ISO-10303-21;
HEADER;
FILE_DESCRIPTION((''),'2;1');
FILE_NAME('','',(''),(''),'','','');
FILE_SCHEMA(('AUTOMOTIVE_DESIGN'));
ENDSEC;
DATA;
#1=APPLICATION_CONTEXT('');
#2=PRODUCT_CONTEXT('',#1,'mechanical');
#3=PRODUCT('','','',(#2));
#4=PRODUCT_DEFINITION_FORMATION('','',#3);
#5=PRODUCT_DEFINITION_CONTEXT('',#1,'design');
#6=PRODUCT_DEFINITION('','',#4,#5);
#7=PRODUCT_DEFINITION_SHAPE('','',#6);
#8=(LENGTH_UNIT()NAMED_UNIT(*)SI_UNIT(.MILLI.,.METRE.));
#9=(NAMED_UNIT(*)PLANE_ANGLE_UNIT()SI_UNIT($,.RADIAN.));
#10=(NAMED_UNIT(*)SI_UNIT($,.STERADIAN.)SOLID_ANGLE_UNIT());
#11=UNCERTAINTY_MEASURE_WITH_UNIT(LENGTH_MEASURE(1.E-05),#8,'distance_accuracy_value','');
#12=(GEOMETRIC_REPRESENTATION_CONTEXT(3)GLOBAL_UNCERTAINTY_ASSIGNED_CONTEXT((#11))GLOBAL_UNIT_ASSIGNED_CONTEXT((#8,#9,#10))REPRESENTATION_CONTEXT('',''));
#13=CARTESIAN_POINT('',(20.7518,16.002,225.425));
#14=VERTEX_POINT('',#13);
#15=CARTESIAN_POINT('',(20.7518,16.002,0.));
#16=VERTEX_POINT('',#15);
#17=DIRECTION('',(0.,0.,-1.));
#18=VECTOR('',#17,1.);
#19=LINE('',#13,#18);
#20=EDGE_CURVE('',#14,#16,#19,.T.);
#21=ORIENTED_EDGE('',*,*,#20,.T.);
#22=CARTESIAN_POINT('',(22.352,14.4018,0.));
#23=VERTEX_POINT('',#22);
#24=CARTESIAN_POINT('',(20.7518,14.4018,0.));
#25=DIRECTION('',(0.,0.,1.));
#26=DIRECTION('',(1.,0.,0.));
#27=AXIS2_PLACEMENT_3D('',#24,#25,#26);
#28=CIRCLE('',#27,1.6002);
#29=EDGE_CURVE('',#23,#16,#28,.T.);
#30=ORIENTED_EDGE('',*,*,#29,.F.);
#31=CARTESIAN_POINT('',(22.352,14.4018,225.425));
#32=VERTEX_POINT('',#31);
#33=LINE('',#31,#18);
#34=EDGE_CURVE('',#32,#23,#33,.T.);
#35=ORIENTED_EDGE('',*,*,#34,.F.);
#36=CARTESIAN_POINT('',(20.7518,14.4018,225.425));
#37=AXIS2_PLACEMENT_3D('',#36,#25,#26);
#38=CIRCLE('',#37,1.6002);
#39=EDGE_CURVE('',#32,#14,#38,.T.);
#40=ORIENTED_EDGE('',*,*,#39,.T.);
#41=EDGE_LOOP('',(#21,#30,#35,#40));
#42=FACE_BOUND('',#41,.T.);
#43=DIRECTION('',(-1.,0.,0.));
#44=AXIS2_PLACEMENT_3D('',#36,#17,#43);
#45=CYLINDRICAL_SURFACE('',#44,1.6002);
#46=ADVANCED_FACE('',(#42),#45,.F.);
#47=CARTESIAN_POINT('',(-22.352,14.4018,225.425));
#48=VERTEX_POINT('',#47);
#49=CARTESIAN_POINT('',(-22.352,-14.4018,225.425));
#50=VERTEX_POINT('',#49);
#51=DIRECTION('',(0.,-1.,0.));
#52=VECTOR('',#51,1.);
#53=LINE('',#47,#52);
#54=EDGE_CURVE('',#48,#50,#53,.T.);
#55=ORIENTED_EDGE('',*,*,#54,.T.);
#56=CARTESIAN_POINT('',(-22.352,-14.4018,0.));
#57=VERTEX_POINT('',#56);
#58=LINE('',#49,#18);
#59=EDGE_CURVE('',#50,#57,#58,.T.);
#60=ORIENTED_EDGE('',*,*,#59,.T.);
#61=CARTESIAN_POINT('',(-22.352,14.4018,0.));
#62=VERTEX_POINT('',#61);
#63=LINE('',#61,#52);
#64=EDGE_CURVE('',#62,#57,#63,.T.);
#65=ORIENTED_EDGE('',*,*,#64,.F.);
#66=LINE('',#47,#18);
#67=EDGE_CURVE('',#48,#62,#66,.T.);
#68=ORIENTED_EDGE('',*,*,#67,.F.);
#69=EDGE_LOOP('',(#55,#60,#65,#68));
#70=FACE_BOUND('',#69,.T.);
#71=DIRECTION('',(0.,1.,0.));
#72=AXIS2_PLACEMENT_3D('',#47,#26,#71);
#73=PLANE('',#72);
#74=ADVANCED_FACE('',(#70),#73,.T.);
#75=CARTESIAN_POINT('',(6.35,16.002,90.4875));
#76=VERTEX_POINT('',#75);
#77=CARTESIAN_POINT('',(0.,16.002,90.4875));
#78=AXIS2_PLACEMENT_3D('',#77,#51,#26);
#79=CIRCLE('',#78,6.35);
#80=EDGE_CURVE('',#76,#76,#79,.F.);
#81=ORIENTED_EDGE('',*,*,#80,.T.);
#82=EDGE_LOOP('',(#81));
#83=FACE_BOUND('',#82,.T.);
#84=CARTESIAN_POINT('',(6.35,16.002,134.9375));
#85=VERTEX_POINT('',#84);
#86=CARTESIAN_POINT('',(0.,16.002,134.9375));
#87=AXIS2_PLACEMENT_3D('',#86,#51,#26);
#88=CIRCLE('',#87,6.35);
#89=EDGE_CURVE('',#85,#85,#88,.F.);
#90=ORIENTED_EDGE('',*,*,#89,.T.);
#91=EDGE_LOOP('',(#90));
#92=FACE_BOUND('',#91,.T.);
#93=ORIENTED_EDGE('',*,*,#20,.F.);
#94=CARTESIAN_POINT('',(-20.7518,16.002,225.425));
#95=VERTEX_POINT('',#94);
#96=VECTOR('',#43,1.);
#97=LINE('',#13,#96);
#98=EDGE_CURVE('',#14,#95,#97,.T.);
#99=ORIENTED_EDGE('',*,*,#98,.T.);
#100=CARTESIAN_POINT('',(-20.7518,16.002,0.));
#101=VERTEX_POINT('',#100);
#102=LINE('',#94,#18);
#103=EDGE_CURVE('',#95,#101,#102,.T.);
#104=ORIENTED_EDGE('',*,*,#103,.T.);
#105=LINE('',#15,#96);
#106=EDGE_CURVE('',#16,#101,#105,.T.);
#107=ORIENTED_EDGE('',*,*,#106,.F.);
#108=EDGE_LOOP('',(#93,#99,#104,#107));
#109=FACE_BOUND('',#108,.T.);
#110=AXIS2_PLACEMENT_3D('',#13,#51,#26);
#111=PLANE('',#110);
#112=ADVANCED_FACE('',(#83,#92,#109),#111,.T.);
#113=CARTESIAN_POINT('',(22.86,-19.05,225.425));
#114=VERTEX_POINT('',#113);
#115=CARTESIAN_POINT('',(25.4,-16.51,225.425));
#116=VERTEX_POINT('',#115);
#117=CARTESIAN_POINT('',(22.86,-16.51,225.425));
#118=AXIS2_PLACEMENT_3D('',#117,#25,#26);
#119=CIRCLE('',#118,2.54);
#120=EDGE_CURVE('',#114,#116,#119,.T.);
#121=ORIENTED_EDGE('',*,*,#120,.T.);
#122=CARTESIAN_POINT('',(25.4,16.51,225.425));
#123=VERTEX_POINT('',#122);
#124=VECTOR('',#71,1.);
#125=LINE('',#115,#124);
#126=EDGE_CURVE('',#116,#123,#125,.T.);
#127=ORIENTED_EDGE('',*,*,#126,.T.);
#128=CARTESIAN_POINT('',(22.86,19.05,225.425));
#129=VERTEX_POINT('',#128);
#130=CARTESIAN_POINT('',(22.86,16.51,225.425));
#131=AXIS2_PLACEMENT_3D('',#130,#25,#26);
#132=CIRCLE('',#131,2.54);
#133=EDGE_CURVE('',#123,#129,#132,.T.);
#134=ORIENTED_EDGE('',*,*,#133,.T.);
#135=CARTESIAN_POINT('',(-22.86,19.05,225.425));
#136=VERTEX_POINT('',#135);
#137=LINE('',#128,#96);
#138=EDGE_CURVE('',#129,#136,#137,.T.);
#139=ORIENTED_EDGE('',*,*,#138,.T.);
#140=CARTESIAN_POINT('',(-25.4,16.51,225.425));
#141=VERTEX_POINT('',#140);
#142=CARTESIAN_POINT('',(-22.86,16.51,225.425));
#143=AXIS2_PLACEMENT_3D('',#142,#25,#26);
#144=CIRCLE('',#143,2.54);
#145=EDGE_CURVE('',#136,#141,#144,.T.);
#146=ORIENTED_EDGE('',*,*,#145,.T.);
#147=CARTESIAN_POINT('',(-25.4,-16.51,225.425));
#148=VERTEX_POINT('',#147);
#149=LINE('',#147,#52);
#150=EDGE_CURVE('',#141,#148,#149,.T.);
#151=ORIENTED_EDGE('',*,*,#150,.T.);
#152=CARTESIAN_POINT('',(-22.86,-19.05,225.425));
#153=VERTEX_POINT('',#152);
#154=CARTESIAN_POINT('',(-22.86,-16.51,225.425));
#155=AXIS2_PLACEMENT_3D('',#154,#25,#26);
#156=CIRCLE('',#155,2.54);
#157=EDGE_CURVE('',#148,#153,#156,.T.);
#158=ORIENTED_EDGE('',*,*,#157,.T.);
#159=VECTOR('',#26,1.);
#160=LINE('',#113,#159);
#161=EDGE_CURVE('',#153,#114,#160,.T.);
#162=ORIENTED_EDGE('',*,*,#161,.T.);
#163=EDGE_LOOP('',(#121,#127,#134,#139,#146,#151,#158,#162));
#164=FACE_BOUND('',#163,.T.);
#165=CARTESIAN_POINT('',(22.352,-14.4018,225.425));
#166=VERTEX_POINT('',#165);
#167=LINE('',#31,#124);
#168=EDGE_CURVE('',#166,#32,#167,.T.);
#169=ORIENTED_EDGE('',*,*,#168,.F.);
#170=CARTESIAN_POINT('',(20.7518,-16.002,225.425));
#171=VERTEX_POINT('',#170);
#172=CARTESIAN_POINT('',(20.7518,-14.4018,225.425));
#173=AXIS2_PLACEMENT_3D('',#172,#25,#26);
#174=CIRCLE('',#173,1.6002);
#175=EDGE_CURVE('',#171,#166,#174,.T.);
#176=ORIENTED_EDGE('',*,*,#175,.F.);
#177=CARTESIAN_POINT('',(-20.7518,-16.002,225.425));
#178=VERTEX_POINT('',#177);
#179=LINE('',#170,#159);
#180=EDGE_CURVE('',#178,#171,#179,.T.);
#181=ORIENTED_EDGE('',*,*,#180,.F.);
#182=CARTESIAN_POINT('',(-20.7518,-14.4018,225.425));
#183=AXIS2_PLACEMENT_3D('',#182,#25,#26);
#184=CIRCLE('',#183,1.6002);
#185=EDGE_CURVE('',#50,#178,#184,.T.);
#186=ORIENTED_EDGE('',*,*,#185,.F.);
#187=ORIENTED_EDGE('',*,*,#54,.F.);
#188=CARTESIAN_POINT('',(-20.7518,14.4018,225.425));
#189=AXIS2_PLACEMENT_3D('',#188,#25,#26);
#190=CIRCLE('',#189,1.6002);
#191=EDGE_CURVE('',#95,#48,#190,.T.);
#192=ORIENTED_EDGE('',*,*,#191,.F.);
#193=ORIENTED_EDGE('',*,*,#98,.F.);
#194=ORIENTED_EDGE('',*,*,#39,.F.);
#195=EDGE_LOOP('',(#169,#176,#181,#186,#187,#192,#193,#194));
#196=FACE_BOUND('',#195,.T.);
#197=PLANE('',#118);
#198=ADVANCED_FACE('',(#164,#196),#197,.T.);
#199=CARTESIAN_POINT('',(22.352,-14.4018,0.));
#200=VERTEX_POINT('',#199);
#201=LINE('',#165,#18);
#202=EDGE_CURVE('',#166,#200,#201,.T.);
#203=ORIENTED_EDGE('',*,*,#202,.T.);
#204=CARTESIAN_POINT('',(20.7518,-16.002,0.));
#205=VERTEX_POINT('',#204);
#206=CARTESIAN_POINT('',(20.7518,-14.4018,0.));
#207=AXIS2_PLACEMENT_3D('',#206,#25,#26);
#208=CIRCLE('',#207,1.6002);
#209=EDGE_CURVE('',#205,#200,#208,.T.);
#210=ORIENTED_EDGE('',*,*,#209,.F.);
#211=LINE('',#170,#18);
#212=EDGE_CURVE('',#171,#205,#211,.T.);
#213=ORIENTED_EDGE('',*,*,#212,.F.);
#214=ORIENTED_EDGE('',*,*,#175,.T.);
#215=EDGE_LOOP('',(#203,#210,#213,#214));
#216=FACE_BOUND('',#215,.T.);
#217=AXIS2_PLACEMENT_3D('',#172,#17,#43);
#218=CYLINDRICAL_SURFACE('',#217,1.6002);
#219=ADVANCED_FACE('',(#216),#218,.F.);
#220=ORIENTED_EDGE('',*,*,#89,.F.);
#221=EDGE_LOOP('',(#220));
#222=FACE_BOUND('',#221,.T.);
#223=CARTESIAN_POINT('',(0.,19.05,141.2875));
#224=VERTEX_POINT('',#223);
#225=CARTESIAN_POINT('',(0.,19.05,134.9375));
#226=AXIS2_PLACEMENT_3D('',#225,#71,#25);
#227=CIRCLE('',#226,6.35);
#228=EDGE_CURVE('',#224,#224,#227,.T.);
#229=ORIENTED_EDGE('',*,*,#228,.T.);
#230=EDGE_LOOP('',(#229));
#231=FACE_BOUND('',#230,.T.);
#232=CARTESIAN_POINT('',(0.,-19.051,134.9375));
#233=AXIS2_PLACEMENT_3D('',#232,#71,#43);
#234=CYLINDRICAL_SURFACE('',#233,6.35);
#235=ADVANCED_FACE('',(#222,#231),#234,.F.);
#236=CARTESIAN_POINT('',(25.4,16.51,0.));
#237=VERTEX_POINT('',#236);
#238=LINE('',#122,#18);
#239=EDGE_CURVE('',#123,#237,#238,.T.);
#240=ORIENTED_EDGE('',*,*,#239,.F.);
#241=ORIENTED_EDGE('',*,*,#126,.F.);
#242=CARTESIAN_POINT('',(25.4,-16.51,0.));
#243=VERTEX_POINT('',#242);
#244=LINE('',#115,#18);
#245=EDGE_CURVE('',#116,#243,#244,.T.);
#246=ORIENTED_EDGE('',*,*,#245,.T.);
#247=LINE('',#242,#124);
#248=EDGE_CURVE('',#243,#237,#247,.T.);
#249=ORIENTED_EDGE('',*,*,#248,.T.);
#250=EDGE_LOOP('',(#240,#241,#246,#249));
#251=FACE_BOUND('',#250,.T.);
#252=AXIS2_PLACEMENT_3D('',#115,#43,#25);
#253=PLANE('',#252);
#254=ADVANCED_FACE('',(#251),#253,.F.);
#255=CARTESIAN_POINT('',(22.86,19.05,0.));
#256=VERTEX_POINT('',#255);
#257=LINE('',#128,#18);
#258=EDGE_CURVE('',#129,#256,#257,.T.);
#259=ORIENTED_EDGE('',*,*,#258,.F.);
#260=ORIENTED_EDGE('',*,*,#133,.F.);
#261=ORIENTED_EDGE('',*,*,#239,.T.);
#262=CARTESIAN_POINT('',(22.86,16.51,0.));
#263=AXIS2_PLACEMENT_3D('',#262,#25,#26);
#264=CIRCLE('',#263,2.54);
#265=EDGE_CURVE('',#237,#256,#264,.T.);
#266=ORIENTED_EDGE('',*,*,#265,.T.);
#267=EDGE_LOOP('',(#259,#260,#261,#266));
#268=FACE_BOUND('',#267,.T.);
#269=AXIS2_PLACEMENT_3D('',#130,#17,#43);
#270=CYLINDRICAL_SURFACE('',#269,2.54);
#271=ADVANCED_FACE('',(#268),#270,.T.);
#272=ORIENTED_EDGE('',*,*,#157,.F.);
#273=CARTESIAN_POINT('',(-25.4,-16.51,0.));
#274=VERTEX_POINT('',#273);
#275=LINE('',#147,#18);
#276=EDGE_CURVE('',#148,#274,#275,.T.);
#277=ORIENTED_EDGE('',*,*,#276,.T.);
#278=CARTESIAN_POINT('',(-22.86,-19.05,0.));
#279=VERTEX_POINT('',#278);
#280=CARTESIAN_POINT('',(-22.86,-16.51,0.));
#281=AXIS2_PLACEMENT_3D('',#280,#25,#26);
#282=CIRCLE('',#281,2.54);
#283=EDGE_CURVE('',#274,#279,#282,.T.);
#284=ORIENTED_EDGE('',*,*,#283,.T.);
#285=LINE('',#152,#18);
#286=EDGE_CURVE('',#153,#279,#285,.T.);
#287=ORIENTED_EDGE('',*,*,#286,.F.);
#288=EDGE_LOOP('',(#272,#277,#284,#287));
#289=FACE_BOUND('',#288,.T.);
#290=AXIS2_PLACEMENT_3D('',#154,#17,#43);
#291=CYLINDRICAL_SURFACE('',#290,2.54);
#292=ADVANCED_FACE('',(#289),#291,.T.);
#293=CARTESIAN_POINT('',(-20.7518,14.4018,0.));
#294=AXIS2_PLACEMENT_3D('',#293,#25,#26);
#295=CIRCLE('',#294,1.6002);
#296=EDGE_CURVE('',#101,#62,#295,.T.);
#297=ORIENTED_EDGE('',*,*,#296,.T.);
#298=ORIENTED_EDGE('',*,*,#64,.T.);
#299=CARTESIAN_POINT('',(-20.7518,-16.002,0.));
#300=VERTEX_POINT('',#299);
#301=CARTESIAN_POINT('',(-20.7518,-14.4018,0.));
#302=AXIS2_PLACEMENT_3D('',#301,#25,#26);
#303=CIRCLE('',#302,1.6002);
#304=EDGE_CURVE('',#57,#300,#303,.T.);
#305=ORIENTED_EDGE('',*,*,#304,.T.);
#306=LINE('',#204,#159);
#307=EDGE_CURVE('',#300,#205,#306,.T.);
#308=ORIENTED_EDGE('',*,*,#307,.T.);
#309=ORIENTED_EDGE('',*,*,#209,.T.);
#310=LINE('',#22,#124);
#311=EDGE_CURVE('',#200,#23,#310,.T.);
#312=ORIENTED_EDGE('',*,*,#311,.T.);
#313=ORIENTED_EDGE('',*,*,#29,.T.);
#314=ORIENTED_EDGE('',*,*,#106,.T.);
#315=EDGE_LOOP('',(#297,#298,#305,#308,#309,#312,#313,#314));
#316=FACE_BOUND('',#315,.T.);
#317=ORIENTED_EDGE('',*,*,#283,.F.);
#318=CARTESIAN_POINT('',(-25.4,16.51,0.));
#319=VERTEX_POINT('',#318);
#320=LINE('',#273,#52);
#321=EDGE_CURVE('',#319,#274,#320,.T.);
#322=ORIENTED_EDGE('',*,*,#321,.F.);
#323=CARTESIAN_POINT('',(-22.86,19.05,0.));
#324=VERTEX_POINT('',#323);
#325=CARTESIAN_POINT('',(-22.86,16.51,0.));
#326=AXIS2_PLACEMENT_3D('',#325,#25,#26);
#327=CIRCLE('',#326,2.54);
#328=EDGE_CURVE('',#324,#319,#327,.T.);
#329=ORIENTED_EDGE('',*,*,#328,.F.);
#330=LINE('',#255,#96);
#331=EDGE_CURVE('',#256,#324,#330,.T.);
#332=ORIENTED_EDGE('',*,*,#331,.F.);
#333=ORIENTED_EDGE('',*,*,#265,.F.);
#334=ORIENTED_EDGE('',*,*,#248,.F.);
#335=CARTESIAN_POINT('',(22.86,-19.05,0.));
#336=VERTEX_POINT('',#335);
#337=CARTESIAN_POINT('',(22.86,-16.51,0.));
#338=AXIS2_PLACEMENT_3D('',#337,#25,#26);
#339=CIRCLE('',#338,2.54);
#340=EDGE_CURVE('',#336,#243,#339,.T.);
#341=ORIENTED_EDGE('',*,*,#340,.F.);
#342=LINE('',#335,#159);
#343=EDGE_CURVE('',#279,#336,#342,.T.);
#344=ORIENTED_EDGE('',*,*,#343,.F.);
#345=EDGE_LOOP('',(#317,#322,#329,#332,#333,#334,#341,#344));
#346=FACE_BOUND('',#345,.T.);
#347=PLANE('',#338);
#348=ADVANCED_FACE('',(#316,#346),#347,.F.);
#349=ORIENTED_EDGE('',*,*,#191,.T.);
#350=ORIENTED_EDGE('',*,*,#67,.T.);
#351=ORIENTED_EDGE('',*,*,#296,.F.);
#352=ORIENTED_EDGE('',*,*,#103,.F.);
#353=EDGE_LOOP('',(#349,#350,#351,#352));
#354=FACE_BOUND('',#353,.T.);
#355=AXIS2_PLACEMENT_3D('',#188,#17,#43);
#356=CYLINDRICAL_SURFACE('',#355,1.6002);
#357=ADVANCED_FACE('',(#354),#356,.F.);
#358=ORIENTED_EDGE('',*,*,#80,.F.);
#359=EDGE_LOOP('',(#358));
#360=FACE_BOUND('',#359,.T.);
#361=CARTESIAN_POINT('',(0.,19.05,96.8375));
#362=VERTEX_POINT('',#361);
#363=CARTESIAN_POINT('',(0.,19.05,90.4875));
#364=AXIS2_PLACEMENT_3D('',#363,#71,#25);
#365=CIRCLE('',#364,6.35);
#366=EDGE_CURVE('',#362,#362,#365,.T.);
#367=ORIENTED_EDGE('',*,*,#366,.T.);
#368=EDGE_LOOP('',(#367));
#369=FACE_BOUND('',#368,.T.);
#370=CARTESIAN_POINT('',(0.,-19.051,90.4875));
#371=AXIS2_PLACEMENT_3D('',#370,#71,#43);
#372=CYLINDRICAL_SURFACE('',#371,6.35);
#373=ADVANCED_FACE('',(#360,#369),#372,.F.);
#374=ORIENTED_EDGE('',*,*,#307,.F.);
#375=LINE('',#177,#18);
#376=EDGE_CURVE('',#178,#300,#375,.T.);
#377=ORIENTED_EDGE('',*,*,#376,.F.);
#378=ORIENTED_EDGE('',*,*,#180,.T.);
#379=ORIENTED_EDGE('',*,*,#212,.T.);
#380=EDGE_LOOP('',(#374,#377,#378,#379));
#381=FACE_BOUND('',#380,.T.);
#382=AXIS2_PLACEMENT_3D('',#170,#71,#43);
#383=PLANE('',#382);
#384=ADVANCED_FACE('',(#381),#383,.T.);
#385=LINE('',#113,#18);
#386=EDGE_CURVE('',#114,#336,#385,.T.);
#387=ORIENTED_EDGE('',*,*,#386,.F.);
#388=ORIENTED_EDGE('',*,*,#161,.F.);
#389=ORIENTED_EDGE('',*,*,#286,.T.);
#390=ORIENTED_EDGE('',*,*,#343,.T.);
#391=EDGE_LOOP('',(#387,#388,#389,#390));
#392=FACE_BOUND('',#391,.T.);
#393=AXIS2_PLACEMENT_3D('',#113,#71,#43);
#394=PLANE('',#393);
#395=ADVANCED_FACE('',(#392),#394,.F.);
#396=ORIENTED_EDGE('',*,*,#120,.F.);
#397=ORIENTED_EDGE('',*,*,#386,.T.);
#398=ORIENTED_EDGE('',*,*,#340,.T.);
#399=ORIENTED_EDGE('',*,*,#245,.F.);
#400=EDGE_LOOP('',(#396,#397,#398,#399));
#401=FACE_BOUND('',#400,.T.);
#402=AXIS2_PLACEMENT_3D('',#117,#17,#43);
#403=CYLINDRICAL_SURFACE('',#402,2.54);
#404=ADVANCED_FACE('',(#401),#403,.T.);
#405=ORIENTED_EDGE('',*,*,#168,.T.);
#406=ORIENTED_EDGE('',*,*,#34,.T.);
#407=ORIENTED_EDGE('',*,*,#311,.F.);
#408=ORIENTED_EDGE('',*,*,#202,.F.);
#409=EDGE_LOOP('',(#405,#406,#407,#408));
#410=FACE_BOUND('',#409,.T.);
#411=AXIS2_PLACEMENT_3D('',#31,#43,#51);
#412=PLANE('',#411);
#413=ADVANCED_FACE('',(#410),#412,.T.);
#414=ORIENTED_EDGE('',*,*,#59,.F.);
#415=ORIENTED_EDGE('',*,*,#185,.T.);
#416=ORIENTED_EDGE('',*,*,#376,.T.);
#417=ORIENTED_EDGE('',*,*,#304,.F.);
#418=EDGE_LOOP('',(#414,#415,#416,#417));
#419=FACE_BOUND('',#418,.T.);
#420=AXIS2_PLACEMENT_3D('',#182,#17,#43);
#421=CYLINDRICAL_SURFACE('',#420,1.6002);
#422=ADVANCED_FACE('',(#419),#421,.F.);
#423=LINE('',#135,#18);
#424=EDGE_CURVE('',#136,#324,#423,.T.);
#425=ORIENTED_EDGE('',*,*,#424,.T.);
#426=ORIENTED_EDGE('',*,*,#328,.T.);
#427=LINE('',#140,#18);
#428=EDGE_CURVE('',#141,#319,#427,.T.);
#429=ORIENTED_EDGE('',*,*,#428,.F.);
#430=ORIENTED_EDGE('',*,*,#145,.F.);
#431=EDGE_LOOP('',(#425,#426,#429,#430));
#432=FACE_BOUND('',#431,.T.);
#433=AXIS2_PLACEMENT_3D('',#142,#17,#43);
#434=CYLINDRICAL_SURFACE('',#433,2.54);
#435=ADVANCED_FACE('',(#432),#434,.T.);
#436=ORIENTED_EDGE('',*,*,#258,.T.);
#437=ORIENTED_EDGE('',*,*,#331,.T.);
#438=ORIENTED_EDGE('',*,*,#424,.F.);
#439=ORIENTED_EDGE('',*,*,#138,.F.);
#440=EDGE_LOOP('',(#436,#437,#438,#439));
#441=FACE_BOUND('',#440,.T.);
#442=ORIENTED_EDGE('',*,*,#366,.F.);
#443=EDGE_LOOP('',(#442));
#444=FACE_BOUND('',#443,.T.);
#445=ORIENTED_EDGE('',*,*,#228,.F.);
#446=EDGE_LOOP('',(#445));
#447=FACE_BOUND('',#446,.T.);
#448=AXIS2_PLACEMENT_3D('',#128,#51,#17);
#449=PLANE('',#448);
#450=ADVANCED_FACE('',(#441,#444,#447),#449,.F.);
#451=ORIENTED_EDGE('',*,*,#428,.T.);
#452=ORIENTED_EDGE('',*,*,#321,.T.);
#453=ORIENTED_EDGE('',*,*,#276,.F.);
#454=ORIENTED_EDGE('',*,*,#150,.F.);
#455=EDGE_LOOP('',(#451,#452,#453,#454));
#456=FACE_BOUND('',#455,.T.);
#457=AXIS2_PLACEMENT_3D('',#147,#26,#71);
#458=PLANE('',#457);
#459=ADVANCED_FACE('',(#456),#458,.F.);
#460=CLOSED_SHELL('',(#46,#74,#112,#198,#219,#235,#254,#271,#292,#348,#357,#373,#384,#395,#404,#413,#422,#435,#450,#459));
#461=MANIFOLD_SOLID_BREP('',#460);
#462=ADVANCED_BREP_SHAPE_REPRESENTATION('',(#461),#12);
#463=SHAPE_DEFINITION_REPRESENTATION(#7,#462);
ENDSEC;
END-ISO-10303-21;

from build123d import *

# Parameters (mm, degrees)
BOSS_EXTRUDE1_DEPTH = 225.425
SKETCH9_R           = 6.35
CUT_EXTRUDE2_DEPTH  = 3.048


with BuildPart() as part:
    # Sketch4 → Boss-Extrude1 (new body)
    with BuildSketch(Plane.XY):
        with BuildLine():
            Line((25.4, -16.51), (25.4, 16.51))
            ThreePointArc((25.4, 16.51), (24.656051224, 18.306051224), (22.86, 19.05))
            Line((22.86, 19.05), (-22.86, 19.05))
            ThreePointArc((-22.86, 19.05), (-24.656051224, 18.306051224), (-25.4, 16.51))
            Line((-25.4, 16.51), (-25.4, -16.51))
            ThreePointArc((-25.4, -16.51), (-24.656051224, -18.306051224), (-22.86, -19.05))
            Line((-22.86, -19.05), (22.86, -19.05))
            ThreePointArc((22.86, -19.05), (24.656051224, -18.306051224), (25.4, -16.51))
        make_face()
        with BuildLine():
            Line((22.352, 14.4018), (22.352, -14.4018))
            ThreePointArc((22.352, -14.4018), (21.883312271, -15.533312271), (20.7518, -16.002))
            Line((20.7518, -16.002), (-20.7518, -16.002))
            ThreePointArc((-20.7518, -16.002), (-21.883312271, -15.533312271), (-22.352, -14.4018))
            Line((-22.352, -14.4018), (-22.352, 14.4018))
            ThreePointArc((-22.352, 14.4018), (-21.883312271, 15.533312271), (-20.7518, 16.002))
            Line((-20.7518, 16.002), (20.7518, 16.002))
            ThreePointArc((20.7518, 16.002), (21.883312271, 15.533312271), (22.352, 14.4018))
        make_face(mode=Mode.SUBTRACT)
    extrude(amount=BOSS_EXTRUDE1_DEPTH)

    # Sketch9 → Cut-Extrude2 (cut)
    with BuildSketch(Plane(origin=(0, 19.05, 0), x_dir=(1, 0, 0), z_dir=(0, 1, 0))):
        with Locations(Location((0, -134.9375, 0), (0, 0, 270))):
            Circle(SKETCH9_R)
        with Locations(Location((0, -90.4875, 0), (0, 0, 270))):
            Circle(SKETCH9_R)
    extrude(amount=-CUT_EXTRUDE2_DEPTH, mode=Mode.SUBTRACT)


solid = part.part
